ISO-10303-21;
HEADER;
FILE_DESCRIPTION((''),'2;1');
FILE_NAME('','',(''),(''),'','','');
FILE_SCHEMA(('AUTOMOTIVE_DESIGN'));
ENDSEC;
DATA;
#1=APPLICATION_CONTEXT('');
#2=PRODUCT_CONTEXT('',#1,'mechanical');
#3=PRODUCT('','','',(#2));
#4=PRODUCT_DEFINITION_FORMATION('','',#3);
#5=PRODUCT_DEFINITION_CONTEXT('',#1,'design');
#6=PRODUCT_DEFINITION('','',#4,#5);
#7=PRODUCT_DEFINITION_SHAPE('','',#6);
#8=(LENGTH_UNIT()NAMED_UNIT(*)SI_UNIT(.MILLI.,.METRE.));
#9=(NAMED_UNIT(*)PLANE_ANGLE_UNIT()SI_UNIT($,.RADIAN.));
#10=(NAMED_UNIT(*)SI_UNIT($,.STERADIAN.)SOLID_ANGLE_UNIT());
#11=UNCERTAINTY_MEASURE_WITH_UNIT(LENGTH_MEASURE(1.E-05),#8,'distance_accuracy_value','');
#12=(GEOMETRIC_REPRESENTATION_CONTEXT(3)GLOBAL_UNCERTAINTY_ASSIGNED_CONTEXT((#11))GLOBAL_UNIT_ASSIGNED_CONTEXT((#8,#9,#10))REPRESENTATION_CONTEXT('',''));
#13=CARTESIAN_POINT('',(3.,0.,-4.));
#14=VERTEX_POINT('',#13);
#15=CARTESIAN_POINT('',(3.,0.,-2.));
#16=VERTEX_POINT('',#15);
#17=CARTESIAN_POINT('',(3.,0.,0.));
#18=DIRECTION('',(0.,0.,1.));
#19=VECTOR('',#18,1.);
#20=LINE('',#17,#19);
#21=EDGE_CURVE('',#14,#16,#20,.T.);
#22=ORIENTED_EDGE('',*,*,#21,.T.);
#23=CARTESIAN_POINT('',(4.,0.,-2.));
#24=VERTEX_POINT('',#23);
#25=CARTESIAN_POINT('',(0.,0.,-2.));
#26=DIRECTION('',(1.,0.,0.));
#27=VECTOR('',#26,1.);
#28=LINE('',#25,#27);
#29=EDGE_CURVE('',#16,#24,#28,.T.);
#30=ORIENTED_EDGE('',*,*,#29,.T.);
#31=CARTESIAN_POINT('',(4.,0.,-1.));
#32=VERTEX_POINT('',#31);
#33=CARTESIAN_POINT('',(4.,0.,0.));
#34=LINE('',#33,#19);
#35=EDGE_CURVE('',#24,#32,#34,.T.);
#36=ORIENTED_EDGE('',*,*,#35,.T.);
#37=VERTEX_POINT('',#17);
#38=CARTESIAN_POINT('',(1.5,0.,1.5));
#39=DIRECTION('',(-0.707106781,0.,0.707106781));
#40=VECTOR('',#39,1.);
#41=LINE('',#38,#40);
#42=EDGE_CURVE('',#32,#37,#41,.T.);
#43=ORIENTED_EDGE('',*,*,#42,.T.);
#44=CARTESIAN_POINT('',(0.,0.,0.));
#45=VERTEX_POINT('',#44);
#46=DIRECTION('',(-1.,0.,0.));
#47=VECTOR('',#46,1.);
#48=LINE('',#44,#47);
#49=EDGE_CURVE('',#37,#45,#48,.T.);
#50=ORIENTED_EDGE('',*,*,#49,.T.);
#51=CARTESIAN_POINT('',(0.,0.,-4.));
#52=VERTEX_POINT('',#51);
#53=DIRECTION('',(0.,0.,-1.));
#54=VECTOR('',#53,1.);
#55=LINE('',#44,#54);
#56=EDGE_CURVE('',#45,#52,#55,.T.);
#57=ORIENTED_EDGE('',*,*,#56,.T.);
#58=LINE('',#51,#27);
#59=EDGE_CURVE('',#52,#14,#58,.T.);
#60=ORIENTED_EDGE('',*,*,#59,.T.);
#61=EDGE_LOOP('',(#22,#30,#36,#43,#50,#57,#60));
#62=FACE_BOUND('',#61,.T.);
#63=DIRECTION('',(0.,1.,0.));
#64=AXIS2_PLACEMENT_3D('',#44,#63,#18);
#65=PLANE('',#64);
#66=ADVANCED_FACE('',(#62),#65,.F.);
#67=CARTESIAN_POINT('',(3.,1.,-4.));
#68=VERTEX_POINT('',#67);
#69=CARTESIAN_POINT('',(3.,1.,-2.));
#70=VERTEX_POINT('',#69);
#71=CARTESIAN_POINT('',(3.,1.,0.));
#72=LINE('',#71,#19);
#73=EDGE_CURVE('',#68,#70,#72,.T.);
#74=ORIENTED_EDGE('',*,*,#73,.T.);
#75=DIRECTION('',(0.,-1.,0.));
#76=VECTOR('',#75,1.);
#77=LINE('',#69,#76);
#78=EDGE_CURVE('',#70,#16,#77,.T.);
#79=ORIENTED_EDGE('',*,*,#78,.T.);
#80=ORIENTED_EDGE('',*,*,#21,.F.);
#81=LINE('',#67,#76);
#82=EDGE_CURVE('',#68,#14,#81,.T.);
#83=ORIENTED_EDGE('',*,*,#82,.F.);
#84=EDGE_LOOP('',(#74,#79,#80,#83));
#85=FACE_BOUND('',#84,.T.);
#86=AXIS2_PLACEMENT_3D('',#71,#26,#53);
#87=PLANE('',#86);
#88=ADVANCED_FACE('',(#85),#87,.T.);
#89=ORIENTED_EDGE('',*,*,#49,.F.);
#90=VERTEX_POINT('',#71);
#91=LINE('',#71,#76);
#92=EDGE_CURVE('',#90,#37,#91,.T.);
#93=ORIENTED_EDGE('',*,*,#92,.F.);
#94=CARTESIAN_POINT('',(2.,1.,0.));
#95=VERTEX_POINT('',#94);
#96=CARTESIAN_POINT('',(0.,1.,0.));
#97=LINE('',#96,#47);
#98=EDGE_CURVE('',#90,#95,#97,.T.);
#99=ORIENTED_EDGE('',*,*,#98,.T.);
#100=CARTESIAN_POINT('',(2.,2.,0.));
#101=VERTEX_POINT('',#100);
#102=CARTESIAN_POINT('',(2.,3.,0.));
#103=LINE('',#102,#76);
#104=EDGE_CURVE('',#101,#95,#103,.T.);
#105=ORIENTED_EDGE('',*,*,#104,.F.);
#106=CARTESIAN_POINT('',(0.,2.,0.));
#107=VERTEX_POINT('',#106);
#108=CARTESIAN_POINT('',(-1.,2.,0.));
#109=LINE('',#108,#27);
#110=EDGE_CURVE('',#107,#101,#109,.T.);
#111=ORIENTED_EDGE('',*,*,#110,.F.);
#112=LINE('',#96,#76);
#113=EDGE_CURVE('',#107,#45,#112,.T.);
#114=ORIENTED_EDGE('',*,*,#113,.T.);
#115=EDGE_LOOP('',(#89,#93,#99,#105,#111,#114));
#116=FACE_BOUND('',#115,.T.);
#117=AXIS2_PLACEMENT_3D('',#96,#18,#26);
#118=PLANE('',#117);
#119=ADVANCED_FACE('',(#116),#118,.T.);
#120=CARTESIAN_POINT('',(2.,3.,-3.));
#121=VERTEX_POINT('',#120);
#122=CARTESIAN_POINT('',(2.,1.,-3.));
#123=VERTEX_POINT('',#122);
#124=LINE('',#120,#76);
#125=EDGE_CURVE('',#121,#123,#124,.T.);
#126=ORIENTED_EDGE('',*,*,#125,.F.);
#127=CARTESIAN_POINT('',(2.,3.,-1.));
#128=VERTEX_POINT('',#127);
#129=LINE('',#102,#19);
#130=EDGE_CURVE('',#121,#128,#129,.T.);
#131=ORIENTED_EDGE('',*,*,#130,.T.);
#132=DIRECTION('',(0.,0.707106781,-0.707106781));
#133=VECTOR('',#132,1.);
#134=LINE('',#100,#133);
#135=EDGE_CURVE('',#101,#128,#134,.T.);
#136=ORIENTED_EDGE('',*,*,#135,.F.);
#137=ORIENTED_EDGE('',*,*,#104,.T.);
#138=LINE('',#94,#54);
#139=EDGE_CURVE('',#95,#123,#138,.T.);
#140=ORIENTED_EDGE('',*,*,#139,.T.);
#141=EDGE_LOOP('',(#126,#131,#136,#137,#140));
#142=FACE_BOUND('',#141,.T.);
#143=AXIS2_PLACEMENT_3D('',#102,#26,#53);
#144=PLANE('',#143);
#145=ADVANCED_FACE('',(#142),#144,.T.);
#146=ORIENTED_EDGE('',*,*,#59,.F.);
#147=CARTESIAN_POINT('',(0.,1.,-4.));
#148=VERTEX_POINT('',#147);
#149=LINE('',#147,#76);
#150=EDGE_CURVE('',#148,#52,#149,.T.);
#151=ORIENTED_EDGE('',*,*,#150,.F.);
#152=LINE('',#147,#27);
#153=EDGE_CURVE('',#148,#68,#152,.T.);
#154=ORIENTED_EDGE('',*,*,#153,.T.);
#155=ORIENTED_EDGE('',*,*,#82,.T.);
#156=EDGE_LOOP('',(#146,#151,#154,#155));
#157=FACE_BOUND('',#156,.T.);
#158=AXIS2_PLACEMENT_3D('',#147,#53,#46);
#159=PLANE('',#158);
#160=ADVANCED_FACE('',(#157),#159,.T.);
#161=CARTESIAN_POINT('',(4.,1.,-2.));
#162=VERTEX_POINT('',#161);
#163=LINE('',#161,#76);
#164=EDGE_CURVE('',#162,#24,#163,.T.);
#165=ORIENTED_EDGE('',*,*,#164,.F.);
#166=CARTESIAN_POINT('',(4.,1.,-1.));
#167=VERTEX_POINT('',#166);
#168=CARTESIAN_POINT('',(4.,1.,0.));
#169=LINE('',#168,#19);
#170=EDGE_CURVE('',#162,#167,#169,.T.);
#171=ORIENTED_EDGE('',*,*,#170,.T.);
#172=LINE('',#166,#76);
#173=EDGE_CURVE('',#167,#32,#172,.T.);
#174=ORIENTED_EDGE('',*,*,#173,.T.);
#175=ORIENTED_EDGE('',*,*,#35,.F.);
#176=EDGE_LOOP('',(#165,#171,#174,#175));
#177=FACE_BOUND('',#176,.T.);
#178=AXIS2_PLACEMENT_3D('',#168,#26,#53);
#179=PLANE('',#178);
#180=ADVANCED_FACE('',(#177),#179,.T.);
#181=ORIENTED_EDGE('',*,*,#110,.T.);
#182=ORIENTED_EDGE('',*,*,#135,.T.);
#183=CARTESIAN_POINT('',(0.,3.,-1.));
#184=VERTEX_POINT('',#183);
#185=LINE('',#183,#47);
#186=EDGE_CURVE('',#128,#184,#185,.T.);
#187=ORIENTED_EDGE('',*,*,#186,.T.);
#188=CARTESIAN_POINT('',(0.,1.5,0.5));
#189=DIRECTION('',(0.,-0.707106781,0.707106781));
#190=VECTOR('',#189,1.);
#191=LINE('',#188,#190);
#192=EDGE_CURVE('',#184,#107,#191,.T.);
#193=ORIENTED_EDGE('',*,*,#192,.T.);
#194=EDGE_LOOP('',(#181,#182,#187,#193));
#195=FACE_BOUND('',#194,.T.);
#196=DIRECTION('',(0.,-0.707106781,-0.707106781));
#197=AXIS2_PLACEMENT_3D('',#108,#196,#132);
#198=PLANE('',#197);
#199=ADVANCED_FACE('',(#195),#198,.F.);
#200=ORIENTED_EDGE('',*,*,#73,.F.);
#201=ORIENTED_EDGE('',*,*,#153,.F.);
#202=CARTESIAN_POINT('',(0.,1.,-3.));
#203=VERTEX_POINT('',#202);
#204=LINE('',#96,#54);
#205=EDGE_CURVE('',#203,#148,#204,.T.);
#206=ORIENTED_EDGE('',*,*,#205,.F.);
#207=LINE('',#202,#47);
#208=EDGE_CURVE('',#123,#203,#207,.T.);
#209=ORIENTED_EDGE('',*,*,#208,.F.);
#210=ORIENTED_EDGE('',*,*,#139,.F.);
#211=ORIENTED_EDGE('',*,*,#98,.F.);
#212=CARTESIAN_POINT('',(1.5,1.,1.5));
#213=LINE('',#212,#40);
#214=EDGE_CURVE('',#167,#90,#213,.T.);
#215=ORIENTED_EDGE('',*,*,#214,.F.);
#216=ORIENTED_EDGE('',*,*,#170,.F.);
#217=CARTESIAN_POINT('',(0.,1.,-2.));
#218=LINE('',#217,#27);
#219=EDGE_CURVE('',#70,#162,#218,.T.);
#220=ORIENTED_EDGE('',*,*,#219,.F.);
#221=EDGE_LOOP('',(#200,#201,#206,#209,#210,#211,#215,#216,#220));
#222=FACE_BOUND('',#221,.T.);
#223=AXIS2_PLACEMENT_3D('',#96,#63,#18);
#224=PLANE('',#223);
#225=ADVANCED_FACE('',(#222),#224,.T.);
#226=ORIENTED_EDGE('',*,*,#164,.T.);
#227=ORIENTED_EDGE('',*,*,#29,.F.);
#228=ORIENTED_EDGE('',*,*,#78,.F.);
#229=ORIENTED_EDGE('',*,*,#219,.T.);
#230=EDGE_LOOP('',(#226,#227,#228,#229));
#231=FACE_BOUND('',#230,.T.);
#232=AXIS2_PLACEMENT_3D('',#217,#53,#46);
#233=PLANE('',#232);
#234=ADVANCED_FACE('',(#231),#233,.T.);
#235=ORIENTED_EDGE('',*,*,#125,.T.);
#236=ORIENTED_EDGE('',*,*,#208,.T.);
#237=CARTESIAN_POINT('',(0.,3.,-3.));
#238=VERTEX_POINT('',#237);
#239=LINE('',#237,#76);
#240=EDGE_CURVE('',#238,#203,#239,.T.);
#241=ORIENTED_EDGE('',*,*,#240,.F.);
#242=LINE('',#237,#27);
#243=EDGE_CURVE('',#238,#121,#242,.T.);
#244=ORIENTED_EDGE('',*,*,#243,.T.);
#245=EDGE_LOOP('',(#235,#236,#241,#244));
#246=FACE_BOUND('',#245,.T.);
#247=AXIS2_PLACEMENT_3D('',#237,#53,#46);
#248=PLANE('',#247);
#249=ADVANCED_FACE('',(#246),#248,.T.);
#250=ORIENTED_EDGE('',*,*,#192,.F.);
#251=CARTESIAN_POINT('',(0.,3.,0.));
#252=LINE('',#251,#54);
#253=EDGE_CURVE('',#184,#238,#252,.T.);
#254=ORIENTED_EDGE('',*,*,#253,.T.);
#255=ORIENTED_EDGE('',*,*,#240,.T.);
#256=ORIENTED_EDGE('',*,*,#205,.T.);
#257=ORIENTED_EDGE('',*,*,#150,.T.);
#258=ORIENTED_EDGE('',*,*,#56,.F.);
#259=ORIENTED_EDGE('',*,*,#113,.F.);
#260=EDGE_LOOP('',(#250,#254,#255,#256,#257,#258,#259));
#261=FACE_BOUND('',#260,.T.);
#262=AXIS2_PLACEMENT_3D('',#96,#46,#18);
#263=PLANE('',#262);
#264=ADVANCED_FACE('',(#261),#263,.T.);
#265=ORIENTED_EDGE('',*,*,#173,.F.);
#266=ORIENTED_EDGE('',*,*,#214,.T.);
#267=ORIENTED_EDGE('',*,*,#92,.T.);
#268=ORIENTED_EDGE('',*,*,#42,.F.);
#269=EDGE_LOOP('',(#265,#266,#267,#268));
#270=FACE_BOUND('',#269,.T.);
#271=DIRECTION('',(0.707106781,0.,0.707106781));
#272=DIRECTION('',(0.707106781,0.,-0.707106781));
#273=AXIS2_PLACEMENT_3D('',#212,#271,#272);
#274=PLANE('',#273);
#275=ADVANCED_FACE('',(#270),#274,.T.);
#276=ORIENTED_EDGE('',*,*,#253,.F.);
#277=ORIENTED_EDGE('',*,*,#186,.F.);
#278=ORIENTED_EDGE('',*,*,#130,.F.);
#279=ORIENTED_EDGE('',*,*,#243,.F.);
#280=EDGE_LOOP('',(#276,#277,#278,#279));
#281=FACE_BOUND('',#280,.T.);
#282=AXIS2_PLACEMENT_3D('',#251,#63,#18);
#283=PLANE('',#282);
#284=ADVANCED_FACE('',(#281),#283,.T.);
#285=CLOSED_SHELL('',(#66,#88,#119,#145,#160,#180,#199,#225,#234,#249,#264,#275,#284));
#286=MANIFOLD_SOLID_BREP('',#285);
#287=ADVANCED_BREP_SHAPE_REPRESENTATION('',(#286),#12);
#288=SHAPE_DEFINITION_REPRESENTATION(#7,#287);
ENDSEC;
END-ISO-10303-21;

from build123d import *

# Parameters (mm, degrees)
EXTRUDE_1_DEPTH     = 1
SKETCH_1_3_W        = 2
SKETCH_1_3_H        = 3
EXTRUDE_2_DEPTH     = 3
CUT_EXTRUDE_1_DEPTH = 3


with BuildPart() as part:
    # 草圖1 → 填料-伸長1 (new body)
    with BuildSketch(Plane(origin=(0, 0, 0), x_dir=(1, 0, 0), z_dir=(0, 1, 0))):
        Polygon((0, 0), (3, 0), (4, 1), (4, 2), (3, 2), (3, 4), (0, 4), align=None)
    extrude(amount=EXTRUDE_1_DEPTH)

    # 草圖1<3> → 填料-伸長2 (add)
    with BuildSketch(Plane(origin=(0, 0, 0), x_dir=(1, 0, 0), z_dir=(0, 1, 0))):
        with Locations((1, 1.5)):
            Rectangle(SKETCH_1_3_W, SKETCH_1_3_H)
    extrude(amount=EXTRUDE_2_DEPTH)

    # 草圖2 → 除料-伸長1 (cut)
    with BuildSketch(Plane(origin=(2, 0, 0), x_dir=(0, 0, -1), z_dir=(1, 0, 0))):
        Polygon((0, 3), (0, 2), (1, 3), align=None)
    extrude(amount=-CUT_EXTRUDE_1_DEPTH, mode=Mode.SUBTRACT)


solid = part.part
